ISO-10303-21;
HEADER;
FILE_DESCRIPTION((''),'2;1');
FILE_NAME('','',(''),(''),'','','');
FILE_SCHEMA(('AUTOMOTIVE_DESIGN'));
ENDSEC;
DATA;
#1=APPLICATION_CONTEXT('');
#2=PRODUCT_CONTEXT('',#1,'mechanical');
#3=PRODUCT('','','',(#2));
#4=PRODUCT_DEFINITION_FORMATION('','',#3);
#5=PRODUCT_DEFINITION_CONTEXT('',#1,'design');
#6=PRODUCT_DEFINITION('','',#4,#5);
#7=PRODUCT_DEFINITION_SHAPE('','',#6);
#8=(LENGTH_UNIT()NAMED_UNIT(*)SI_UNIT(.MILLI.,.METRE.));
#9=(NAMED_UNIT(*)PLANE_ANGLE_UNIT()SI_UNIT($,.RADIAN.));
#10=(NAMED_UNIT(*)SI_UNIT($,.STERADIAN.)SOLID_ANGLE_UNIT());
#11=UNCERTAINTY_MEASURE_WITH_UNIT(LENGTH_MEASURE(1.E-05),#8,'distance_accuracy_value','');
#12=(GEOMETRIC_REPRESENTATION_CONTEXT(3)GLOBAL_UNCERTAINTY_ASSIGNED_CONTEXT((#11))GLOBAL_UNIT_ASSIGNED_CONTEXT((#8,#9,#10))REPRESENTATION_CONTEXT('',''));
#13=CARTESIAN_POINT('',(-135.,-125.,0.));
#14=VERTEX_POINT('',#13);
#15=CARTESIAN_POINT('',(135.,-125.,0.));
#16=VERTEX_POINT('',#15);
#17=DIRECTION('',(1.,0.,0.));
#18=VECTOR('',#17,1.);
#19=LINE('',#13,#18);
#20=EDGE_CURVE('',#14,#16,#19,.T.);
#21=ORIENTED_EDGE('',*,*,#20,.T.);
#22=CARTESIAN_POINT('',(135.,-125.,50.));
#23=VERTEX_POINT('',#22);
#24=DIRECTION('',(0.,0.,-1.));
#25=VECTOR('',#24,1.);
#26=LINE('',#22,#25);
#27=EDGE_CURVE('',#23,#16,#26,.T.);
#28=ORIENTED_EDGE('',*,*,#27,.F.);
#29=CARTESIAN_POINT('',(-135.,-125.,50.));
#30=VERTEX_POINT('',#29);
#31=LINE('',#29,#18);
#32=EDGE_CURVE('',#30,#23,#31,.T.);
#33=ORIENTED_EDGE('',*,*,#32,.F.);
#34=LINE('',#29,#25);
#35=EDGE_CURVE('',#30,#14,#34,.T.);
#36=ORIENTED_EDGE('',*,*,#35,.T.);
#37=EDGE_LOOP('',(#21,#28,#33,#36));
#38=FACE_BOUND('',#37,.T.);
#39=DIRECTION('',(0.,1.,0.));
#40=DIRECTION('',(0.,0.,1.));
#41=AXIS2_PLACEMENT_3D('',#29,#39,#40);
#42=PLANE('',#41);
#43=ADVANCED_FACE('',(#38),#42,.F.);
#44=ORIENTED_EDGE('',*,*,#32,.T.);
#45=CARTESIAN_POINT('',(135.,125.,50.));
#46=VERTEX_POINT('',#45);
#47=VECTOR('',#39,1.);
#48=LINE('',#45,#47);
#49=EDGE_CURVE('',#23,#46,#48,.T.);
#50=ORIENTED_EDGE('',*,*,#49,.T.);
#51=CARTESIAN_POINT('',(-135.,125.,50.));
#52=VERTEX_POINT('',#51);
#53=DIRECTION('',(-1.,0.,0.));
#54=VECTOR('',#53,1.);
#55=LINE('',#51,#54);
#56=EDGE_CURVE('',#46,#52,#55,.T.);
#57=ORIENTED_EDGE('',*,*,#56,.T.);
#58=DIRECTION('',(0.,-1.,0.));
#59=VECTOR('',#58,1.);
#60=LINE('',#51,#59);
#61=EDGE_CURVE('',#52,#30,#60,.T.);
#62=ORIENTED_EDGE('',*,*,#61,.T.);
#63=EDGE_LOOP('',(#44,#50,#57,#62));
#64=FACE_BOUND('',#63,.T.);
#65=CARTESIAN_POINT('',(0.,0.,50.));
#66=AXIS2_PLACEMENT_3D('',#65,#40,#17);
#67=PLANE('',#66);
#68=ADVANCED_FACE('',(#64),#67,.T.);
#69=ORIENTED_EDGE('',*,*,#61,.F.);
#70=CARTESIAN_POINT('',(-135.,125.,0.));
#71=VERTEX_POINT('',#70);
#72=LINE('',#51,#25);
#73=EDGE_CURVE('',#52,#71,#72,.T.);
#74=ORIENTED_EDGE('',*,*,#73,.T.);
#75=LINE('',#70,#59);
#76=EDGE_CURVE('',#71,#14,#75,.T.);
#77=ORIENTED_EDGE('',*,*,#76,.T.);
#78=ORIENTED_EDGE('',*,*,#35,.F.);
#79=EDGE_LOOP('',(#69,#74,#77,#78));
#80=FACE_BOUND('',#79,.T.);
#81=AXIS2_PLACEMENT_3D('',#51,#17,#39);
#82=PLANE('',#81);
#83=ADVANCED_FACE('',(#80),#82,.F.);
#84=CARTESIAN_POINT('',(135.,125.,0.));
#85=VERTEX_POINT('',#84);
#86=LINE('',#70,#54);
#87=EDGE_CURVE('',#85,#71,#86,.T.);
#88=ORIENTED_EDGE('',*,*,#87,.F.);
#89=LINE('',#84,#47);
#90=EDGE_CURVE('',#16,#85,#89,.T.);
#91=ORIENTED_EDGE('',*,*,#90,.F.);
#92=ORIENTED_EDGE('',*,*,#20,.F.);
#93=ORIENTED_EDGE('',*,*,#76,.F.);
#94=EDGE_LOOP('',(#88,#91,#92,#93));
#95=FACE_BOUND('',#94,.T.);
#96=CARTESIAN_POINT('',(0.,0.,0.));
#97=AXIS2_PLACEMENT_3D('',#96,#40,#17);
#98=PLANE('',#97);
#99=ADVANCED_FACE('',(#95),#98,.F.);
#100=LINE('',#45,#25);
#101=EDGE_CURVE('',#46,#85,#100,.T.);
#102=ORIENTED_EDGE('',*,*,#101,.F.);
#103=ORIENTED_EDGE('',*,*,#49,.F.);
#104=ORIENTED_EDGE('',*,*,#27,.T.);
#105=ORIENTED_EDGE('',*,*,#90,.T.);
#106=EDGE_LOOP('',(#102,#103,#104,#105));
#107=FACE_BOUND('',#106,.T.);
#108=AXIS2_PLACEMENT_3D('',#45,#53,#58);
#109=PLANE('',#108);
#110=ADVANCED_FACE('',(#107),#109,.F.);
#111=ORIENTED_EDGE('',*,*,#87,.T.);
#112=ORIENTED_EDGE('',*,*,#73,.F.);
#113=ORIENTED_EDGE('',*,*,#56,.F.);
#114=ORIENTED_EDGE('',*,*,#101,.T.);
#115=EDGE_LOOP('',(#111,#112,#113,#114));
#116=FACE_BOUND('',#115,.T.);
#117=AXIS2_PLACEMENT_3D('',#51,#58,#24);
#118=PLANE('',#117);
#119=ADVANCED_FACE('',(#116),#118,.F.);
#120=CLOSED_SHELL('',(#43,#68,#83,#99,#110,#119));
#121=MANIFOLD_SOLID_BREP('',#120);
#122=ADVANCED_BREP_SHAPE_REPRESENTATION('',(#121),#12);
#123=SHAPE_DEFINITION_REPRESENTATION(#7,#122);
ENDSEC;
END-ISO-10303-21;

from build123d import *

# Parameters (mm, degrees)
ESQUISSE1_W        = 270
ESQUISSE1_H        = 250
BOSS_EXTRU_1_DEPTH = 50


with BuildPart() as part:
    # Esquisse1 → Boss.-Extru.1 (new body)
    with BuildSketch(Plane.XY):
        Rectangle(ESQUISSE1_W, ESQUISSE1_H)
    extrude(amount=BOSS_EXTRU_1_DEPTH)


solid = part.part
